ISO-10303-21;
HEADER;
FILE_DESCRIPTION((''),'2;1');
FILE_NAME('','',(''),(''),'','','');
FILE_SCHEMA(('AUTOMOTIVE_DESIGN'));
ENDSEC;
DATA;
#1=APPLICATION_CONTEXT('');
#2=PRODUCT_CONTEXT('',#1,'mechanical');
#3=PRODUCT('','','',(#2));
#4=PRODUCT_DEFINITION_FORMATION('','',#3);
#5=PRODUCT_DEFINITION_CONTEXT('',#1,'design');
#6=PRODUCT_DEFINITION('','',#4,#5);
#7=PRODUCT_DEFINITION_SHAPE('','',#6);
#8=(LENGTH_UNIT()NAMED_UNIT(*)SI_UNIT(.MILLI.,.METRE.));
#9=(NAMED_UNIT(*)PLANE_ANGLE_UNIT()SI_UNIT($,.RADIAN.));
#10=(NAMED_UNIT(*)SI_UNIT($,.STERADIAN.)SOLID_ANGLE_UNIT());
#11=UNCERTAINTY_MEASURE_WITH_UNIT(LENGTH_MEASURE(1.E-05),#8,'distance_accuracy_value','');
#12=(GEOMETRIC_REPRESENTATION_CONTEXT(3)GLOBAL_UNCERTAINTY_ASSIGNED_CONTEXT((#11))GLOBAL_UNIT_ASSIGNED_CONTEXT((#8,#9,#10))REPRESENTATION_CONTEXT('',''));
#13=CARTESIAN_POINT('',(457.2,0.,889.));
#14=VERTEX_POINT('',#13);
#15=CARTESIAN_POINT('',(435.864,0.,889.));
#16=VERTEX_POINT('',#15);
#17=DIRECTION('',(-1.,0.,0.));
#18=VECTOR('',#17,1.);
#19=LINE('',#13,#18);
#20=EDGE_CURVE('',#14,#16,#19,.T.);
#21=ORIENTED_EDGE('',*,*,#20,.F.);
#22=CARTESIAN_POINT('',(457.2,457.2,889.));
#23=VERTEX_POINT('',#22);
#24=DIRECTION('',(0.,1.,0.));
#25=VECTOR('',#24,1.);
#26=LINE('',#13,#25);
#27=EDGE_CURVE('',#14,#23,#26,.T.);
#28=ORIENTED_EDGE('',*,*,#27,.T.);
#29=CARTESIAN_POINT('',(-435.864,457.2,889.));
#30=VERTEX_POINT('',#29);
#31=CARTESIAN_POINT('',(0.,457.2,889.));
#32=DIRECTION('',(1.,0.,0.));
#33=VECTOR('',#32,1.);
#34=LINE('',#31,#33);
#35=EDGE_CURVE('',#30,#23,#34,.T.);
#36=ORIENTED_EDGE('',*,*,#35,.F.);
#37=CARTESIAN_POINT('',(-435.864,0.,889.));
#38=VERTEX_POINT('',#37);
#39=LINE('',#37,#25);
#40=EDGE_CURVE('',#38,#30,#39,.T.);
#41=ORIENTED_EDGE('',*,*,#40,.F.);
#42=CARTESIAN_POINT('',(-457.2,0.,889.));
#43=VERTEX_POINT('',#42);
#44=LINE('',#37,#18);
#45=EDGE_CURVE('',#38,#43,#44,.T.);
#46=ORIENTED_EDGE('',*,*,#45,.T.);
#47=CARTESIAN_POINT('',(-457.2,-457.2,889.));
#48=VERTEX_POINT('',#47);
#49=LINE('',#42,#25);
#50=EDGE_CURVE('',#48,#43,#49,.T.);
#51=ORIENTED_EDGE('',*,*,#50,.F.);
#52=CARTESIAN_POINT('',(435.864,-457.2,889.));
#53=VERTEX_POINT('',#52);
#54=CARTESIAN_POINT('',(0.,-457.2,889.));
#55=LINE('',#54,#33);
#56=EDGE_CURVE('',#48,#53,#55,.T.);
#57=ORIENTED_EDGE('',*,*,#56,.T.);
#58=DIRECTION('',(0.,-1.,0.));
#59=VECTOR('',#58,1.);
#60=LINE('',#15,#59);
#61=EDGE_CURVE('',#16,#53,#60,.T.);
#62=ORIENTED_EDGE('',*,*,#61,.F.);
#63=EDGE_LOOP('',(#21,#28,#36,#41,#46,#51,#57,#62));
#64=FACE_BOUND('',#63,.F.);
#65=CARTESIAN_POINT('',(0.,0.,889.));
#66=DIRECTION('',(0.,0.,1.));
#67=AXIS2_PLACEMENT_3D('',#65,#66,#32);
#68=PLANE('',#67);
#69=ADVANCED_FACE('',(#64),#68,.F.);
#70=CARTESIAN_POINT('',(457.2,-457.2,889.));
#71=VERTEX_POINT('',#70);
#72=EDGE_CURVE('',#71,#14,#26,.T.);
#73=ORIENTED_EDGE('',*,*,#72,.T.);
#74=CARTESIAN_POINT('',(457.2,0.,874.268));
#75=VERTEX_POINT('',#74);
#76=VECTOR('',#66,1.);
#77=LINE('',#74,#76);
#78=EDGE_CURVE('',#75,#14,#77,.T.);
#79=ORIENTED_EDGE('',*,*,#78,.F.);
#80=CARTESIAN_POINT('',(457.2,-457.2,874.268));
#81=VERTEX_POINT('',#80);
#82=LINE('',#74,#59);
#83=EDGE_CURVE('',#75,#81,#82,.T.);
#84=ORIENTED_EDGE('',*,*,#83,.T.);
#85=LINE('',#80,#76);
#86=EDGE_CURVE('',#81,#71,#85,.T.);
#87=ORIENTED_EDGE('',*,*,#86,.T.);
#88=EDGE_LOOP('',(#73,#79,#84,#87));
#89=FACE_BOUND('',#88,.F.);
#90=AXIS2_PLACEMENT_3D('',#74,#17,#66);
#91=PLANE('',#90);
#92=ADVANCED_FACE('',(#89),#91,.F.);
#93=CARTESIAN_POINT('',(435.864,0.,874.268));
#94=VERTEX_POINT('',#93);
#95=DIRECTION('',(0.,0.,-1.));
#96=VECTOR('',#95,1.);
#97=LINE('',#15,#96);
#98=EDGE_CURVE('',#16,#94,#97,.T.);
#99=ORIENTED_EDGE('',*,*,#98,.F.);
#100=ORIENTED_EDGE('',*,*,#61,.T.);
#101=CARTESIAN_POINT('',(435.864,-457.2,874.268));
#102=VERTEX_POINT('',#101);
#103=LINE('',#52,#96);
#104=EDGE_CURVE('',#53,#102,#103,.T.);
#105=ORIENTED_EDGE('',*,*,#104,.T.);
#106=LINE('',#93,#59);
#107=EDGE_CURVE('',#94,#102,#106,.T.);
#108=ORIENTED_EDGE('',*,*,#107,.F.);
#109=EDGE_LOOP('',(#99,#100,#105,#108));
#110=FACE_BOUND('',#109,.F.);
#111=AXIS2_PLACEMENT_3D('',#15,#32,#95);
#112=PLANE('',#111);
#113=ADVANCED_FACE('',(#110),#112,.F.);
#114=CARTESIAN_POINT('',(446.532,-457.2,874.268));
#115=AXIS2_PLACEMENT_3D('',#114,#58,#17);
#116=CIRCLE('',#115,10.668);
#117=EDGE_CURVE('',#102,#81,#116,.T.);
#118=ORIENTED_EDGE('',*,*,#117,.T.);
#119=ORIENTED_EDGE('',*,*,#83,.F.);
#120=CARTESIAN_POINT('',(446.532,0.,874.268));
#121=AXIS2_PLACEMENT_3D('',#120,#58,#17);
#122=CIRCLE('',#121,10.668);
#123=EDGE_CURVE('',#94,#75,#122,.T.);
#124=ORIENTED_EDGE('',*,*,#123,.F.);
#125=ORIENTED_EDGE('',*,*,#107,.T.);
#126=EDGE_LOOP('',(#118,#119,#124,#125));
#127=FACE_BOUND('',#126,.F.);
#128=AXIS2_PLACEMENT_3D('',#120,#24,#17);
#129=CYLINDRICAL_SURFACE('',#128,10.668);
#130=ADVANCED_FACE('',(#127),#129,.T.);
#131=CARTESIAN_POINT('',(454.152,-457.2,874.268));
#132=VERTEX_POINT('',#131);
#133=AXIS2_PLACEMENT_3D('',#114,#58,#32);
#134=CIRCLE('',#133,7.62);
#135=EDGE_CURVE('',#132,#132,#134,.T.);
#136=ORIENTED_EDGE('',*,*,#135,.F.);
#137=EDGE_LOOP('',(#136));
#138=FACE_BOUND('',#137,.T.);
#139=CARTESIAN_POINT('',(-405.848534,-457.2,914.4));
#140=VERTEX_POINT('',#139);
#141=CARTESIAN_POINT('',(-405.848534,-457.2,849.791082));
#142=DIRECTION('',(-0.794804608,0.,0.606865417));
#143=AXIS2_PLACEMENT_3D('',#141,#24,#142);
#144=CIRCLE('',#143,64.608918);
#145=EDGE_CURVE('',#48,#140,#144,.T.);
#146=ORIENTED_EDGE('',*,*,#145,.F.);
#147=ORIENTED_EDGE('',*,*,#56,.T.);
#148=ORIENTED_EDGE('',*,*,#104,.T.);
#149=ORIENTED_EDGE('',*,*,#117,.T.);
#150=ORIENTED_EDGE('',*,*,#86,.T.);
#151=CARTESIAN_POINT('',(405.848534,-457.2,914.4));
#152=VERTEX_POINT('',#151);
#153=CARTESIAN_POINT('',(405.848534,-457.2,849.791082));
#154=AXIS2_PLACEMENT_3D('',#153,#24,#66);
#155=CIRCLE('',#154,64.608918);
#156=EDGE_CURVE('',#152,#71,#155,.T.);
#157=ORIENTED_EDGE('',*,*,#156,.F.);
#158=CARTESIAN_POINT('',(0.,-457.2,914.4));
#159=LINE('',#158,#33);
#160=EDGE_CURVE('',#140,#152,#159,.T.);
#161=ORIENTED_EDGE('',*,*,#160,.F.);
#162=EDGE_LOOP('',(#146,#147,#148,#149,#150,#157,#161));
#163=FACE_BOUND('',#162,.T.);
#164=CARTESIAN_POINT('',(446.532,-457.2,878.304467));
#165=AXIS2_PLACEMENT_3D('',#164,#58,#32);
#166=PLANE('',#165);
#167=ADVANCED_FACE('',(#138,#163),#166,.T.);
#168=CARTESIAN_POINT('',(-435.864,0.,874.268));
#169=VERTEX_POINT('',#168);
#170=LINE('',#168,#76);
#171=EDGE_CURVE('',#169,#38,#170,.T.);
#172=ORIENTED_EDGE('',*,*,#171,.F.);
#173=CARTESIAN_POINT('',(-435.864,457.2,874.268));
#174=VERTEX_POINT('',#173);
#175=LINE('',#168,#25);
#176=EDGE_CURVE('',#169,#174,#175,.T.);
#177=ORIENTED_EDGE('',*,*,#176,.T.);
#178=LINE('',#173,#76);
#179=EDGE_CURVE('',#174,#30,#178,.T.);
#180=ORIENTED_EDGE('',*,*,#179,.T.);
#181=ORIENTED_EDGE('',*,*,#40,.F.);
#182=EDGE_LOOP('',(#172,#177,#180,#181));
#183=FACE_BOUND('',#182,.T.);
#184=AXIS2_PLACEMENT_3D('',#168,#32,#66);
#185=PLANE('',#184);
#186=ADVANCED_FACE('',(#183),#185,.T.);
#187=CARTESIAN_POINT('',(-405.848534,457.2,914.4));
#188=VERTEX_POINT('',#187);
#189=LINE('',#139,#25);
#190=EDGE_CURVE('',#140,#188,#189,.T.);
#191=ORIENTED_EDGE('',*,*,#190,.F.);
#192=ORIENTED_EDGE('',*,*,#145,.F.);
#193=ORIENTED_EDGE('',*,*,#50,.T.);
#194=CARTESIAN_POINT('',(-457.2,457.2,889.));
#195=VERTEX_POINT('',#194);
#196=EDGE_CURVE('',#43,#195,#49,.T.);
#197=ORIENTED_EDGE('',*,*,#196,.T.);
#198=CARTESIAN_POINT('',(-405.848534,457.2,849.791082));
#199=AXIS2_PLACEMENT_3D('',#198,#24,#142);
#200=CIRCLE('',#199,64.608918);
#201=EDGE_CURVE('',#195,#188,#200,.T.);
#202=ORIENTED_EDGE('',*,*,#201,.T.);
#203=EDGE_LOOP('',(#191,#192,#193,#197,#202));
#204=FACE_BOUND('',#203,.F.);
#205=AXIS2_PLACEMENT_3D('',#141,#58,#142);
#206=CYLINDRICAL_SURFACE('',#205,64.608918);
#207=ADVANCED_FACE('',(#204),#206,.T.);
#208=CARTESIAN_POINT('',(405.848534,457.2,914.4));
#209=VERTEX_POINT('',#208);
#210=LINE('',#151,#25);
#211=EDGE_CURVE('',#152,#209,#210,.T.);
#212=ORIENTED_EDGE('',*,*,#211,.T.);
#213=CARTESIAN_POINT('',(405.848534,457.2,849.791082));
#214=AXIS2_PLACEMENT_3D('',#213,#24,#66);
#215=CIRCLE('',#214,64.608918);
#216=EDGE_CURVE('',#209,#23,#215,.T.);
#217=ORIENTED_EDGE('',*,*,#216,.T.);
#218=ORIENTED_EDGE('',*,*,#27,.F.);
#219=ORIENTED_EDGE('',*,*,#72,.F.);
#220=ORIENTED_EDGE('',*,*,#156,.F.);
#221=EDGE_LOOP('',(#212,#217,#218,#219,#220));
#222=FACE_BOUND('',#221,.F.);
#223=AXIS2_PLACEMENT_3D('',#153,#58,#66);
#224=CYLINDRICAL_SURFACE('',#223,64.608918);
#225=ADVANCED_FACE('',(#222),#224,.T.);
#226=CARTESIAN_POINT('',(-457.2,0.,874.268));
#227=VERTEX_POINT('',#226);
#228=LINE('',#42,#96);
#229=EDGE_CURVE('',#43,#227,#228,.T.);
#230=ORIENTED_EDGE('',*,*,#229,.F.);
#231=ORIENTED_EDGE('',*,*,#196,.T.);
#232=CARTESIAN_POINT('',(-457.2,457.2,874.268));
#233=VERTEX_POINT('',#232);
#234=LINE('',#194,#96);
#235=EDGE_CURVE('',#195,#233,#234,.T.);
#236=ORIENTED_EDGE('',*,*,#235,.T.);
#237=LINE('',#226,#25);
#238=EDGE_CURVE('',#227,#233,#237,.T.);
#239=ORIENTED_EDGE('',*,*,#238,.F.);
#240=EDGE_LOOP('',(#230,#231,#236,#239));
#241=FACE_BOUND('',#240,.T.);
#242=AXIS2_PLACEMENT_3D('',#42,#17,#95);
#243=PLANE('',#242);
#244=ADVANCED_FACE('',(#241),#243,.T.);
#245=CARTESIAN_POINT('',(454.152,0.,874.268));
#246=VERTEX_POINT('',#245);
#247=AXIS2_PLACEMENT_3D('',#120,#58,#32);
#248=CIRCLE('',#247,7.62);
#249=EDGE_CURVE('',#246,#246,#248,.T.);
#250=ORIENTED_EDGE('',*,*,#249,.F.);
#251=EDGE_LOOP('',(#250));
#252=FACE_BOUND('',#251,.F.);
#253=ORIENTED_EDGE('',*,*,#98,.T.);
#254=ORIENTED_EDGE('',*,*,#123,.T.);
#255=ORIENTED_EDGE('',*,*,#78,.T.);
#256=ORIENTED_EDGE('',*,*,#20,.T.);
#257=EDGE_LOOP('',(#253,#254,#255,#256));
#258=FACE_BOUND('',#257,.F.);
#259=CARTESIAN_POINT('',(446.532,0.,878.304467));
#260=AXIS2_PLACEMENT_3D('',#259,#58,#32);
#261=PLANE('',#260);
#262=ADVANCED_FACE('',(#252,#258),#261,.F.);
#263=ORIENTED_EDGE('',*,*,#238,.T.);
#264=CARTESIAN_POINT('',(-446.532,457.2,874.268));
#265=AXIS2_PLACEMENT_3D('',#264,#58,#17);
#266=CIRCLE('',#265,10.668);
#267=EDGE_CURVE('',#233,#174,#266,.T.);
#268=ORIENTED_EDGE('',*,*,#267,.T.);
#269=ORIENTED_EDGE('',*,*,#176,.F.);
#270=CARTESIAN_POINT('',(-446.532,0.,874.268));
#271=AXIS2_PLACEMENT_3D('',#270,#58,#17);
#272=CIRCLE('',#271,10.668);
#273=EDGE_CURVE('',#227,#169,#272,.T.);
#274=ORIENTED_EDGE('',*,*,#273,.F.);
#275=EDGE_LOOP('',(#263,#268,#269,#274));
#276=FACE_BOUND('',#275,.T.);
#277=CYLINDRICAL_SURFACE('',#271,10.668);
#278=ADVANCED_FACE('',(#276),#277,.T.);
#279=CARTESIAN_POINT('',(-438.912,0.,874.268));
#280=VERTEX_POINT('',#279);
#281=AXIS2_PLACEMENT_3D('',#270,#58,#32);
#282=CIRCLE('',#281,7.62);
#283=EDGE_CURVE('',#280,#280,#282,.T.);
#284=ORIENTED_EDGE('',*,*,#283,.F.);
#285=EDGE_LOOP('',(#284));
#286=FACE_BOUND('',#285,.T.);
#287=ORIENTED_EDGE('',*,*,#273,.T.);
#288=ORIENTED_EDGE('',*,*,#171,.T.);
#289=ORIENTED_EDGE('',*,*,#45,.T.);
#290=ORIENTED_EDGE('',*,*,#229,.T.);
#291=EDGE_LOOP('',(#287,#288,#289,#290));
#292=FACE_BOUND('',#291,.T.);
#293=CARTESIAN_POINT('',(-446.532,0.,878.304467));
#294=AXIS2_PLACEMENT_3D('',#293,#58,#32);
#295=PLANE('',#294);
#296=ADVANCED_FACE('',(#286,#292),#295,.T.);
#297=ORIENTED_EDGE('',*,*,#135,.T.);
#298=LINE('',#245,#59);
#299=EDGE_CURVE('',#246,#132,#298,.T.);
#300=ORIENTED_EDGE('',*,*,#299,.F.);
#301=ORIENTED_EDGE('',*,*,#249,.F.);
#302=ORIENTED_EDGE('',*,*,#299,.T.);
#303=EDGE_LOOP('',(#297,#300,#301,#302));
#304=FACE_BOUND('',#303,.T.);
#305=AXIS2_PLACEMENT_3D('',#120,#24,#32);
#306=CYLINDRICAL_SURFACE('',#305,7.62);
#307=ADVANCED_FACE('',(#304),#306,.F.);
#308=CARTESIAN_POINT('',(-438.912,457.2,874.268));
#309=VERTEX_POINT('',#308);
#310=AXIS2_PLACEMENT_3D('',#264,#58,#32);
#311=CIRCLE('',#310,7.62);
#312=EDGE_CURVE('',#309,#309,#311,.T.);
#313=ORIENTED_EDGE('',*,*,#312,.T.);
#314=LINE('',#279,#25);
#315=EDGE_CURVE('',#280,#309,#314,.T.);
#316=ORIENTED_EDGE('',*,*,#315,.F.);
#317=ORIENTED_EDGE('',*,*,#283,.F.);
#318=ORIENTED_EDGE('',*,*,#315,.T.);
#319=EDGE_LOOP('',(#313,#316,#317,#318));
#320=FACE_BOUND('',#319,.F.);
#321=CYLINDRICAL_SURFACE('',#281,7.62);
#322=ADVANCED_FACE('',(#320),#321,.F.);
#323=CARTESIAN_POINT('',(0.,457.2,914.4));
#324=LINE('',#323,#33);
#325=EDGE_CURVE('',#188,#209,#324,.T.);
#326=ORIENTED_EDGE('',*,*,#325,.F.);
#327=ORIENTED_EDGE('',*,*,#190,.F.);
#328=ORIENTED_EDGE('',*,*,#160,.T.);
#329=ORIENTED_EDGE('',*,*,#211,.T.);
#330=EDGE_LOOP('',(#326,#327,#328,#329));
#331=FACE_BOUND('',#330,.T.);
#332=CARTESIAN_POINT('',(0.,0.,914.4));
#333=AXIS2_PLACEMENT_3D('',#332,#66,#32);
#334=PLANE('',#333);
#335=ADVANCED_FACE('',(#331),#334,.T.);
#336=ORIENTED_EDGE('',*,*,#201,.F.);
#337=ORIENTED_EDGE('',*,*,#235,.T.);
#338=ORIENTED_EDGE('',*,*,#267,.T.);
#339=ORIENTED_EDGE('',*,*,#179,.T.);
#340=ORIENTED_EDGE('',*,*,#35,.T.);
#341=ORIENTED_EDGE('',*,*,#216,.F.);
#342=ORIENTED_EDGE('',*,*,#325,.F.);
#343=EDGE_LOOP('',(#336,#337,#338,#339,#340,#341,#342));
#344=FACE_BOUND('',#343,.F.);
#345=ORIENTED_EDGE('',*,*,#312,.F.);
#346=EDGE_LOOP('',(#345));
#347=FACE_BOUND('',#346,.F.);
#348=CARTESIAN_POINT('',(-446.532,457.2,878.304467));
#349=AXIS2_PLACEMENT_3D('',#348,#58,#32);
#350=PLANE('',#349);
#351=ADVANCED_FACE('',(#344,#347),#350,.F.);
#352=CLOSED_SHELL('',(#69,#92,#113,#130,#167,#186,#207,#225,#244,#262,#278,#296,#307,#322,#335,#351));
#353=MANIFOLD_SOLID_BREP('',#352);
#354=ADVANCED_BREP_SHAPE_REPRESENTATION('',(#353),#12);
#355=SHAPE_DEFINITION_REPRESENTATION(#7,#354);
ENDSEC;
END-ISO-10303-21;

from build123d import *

# Parameters (mm, degrees)
F1_W     = 914.4
F1_H     = 914.4
F2_DEPTH = 25.4
F4_DEPTH = 914.4
F6_R     = 7.62
F7_DEPTH = 457.2
F8_DEPTH = 457.2


with BuildPart() as f2:
    # F1 (on offset) → F2 (new body)
    with BuildSketch(Plane.XY.offset(914.4)):
        Rectangle(F1_W, F1_H)
    extrude(amount=-F2_DEPTH)

    # F3 (on face) → F4 (cut, through all)
    with BuildSketch(Plane.XZ.offset(457.2)):
        with BuildLine():
            ThreePointArc((-457.2, 889), (-434.4934859844, 907.702903129), (-405.8485342879, 914.4))
            Line((-405.8485342879, 914.4), (-457.2, 914.4))
            Line((-457.2, 914.4), (-457.2, 889))
        make_face()
        with BuildLine():
            Line((457.2, 889), (457.2, 914.4))
            Line((457.2, 914.4), (405.8485342879, 914.4))
            ThreePointArc((405.8485342879, 914.4), (434.4934859844, 907.702903129), (457.2, 889))
        make_face()
    extrude(amount=-F4_DEPTH, mode=Mode.SUBTRACT)

    # F6 (on Front) → F7 (join, through all)
    with BuildSketch(Plane.XZ):
        with BuildLine():
            Line((-457.2, 889), (-457.2, 874.268))
            ThreePointArc((-457.2, 874.268), (-446.532, 863.6), (-435.864, 874.268))
            Line((-435.864, 874.268), (-435.864, 889))
            Line((-435.864, 889), (-457.2, 889))
        make_face()
        with Locations((-446.532, 874.268)):
            Circle(F6_R, mode=Mode.SUBTRACT)
    extrude(amount=-F7_DEPTH)

    # F6 (on Front) → F8 (join, through all)
    with BuildSketch(Plane.XZ):
        with BuildLine():
            Line((435.864, 889), (435.864, 874.268))
            ThreePointArc((435.864, 874.268), (446.532, 863.6), (457.2, 874.268))
            Line((457.2, 874.268), (457.2, 889))
            Line((457.2, 889), (435.864, 889))
        make_face()
        with Locations((446.532, 874.268)):
            Circle(F6_R, mode=Mode.SUBTRACT)
    extrude(amount=F8_DEPTH)


solid = f2.part
